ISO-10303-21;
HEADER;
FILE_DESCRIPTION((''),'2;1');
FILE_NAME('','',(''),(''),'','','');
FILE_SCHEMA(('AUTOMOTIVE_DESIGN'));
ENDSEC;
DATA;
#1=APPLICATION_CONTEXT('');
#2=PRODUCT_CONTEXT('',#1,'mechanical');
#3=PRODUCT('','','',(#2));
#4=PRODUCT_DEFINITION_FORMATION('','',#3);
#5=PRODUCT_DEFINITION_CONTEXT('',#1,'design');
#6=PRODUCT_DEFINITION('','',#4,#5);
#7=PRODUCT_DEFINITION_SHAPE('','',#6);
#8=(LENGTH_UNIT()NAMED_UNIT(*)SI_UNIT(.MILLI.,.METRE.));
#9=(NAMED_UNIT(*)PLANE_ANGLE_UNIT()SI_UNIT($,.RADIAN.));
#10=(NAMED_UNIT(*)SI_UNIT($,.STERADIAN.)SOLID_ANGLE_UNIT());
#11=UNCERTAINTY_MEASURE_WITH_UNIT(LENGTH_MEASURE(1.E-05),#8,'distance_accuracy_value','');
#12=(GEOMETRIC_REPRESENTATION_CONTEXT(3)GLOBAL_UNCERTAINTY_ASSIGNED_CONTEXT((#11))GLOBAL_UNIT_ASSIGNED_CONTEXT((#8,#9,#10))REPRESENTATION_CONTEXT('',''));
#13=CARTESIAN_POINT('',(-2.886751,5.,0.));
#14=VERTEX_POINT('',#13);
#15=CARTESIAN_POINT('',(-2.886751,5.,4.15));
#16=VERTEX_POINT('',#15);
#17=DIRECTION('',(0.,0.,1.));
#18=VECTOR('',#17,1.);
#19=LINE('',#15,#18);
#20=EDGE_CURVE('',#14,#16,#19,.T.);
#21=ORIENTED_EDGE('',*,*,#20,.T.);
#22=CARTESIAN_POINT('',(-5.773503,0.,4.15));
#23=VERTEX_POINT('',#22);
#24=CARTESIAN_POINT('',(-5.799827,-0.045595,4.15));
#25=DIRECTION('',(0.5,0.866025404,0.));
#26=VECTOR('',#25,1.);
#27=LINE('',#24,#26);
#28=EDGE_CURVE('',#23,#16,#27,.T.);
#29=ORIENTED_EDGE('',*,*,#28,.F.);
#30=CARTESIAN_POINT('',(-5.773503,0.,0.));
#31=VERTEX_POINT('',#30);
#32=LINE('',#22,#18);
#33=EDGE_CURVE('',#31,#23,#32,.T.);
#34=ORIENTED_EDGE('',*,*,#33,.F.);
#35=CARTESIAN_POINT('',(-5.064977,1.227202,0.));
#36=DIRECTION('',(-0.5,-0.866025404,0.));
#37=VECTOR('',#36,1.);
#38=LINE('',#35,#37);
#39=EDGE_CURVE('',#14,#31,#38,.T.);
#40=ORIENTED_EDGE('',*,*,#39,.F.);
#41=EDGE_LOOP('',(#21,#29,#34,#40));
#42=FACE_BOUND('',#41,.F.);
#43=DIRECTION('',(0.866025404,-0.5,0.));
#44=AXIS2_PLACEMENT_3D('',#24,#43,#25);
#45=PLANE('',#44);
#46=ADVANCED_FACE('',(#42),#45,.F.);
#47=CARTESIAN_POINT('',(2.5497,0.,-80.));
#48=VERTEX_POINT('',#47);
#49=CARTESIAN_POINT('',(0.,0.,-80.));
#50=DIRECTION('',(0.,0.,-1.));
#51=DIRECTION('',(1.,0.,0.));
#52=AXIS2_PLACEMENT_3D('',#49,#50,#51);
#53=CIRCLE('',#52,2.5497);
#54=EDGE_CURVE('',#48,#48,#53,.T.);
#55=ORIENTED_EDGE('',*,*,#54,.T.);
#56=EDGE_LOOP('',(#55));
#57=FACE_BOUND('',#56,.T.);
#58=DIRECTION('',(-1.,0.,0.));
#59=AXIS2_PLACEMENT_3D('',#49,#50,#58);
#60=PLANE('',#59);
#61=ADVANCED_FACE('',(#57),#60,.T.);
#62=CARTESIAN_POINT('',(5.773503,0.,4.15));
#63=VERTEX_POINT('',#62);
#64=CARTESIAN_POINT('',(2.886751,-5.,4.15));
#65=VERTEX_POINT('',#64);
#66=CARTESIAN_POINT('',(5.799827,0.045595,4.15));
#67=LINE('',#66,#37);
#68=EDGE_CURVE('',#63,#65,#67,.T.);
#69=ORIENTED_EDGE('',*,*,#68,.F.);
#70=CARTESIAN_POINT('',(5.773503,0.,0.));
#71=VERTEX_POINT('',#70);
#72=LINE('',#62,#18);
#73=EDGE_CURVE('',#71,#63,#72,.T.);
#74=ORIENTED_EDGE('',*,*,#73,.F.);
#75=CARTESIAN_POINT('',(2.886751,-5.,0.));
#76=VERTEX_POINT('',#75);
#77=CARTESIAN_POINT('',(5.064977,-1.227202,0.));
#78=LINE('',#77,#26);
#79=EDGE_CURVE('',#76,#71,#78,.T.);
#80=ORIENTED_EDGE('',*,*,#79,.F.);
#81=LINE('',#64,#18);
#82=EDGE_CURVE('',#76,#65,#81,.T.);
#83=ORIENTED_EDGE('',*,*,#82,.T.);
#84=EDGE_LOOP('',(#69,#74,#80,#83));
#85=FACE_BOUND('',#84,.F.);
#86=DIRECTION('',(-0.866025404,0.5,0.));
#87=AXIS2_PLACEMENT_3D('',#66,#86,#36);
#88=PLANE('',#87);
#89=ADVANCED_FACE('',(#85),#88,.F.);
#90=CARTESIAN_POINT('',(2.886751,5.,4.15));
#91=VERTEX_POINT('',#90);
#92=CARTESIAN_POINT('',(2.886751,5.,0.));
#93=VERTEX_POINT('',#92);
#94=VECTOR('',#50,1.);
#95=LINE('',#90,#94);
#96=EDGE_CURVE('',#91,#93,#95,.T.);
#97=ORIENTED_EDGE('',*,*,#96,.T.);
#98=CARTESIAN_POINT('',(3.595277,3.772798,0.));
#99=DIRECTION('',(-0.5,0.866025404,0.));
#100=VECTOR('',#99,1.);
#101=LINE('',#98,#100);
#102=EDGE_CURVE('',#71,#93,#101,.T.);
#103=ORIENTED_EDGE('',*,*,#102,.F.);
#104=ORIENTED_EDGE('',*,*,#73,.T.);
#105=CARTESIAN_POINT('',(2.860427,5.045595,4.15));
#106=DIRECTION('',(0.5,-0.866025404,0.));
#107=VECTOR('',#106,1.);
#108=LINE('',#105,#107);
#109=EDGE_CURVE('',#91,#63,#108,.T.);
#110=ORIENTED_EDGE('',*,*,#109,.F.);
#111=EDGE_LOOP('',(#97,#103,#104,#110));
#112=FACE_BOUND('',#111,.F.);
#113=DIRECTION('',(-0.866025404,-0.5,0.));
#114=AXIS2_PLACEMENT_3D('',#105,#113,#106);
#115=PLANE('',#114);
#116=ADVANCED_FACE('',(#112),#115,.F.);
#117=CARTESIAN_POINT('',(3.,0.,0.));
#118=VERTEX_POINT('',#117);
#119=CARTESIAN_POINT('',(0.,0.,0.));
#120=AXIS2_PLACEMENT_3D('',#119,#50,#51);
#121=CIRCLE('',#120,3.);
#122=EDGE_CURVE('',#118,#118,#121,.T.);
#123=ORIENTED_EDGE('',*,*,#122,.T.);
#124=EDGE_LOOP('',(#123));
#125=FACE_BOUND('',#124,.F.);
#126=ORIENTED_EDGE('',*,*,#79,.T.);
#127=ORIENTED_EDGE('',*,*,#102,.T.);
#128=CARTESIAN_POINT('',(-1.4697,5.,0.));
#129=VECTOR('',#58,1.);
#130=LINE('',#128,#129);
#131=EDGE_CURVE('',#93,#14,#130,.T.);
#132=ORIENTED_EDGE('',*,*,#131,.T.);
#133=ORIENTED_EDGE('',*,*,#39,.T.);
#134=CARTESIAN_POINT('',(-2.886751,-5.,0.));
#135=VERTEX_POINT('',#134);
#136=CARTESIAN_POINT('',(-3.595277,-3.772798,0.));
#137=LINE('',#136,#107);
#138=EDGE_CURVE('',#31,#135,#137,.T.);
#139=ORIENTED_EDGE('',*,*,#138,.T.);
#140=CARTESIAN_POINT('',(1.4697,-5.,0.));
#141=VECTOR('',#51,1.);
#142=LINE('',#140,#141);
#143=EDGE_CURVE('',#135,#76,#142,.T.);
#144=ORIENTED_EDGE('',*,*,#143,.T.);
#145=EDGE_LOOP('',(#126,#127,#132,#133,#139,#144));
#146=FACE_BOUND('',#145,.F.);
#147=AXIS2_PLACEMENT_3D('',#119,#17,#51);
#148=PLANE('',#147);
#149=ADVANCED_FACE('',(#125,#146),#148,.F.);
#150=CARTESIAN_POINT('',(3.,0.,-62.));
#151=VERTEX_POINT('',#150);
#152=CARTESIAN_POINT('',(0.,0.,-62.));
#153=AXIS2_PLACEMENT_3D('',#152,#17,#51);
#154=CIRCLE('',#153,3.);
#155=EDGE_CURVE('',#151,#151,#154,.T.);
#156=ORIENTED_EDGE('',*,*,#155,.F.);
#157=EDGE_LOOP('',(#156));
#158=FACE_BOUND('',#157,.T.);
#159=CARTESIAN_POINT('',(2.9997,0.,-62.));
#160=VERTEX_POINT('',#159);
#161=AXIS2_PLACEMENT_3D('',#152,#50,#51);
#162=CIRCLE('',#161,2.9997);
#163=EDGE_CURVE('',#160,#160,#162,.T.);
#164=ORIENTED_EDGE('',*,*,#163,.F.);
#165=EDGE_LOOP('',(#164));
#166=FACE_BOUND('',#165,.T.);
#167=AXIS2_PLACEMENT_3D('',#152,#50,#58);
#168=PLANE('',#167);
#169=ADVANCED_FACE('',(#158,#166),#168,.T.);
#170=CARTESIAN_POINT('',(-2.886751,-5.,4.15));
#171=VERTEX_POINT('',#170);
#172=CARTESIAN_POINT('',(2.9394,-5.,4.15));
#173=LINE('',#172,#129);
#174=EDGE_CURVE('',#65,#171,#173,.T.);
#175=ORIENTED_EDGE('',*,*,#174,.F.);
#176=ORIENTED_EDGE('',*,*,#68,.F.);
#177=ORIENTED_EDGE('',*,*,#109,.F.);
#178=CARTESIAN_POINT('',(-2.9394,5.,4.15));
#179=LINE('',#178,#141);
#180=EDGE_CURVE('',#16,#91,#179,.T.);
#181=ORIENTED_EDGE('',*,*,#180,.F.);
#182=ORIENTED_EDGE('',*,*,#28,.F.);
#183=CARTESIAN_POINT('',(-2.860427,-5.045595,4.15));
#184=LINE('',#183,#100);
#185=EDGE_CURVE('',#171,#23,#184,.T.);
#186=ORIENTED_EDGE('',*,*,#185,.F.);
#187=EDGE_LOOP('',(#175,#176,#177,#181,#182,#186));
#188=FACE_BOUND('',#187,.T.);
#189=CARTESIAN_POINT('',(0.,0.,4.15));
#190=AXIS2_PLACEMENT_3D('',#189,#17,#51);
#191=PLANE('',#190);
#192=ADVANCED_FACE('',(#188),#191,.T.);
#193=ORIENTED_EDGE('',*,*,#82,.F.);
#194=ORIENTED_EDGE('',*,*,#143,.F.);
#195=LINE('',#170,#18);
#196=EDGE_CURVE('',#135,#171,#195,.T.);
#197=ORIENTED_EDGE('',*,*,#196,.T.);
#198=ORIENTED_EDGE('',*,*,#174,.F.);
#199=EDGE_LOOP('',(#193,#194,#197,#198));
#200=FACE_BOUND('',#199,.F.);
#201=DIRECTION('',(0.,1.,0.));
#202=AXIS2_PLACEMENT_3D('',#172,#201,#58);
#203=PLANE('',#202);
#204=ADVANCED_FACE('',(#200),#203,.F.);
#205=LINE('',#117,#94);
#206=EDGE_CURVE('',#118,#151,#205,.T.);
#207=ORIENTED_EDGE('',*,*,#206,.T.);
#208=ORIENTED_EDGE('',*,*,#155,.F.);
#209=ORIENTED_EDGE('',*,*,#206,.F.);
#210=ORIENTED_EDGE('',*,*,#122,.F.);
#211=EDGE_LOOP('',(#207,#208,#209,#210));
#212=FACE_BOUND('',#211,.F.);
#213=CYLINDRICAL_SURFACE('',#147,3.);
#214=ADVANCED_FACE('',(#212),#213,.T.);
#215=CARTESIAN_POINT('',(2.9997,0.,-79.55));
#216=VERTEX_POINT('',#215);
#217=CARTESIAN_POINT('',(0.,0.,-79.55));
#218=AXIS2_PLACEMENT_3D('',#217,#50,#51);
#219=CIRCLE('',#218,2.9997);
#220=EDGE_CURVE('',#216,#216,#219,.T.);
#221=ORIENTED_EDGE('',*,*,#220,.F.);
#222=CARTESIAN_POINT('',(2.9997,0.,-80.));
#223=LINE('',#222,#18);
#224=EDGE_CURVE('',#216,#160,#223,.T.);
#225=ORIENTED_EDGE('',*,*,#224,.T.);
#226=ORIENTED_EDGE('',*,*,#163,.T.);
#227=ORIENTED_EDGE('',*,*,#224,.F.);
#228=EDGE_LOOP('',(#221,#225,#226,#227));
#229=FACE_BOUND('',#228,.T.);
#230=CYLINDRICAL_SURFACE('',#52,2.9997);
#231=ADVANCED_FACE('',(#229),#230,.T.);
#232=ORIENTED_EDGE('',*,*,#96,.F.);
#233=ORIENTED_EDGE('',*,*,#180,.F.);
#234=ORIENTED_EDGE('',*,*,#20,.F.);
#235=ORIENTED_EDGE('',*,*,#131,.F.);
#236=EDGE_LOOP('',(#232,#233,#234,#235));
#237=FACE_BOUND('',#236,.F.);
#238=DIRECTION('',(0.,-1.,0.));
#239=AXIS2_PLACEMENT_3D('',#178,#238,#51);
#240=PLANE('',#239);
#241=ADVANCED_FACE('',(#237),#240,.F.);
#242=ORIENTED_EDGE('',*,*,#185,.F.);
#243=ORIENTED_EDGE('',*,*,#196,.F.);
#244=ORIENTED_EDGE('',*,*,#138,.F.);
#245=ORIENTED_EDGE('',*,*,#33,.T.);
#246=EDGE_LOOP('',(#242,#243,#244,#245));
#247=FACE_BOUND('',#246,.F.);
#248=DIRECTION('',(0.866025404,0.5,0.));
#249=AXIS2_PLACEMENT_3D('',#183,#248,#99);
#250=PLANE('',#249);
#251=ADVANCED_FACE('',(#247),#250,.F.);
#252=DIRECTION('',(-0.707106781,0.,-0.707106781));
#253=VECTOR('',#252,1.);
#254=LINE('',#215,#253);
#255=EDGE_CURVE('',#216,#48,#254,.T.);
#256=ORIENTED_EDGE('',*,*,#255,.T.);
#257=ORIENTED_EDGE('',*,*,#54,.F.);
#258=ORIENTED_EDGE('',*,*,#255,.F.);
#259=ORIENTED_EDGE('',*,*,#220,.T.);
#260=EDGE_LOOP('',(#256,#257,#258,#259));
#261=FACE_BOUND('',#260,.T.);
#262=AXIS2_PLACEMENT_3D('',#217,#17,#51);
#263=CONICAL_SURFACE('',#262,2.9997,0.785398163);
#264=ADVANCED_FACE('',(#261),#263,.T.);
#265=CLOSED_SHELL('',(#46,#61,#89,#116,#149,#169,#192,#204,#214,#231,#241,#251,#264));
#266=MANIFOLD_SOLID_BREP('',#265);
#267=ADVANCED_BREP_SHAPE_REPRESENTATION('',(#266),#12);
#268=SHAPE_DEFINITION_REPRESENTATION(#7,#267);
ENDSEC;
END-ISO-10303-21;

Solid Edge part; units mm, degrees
sketch "Sketch1" plane through (0, 0, 0) normal (0, 0, 1) x (1, 0, 0)
  circle A0 centre (0, 0) radius 5.8
  dimension "D1" = 11.6
extrude "Protrusion1" add sketch "Sketch1" along normal blind 4.15
sketch "Sketch2" plane through (0, 0, 0) normal (0, 0, -1) x (1, 0, 0)
  circle A0 centre (0, 0) radius 3
extrude "Protrusion2" add sketch "Sketch2" along normal blind 80
sketch "Sketch3" plane through (0, 0, -80) normal (0, 0, -1) x (1, 0, 0)
  circle A0 centre (0, 0) radius 2.9997
extrude "Cutout1" cut sketch "Sketch3" against normal blind 18 flip side to cut
chamfer "Chamfer_1" distance 0.45 angle 45 1 edges at (-2.9997, 0, -80)
sketch "Sketch4" plane through (0, 0, 4.15) normal (0, 0, 1) x (1, 0, 0)
  line L0 (-2.9394, 5) -> (2.9394, 5)
  dimension "D1" = 10
extrude "Cutout2" cut sketch "Sketch4" against normal up to next material side at (0, 5.05, 4.15)
pattern_circular "Pattern1" count 6 over 360 about axis through (0, 0, 4.15) along (0, 0, 1) of "Cutout2"
properties part number "118059"
